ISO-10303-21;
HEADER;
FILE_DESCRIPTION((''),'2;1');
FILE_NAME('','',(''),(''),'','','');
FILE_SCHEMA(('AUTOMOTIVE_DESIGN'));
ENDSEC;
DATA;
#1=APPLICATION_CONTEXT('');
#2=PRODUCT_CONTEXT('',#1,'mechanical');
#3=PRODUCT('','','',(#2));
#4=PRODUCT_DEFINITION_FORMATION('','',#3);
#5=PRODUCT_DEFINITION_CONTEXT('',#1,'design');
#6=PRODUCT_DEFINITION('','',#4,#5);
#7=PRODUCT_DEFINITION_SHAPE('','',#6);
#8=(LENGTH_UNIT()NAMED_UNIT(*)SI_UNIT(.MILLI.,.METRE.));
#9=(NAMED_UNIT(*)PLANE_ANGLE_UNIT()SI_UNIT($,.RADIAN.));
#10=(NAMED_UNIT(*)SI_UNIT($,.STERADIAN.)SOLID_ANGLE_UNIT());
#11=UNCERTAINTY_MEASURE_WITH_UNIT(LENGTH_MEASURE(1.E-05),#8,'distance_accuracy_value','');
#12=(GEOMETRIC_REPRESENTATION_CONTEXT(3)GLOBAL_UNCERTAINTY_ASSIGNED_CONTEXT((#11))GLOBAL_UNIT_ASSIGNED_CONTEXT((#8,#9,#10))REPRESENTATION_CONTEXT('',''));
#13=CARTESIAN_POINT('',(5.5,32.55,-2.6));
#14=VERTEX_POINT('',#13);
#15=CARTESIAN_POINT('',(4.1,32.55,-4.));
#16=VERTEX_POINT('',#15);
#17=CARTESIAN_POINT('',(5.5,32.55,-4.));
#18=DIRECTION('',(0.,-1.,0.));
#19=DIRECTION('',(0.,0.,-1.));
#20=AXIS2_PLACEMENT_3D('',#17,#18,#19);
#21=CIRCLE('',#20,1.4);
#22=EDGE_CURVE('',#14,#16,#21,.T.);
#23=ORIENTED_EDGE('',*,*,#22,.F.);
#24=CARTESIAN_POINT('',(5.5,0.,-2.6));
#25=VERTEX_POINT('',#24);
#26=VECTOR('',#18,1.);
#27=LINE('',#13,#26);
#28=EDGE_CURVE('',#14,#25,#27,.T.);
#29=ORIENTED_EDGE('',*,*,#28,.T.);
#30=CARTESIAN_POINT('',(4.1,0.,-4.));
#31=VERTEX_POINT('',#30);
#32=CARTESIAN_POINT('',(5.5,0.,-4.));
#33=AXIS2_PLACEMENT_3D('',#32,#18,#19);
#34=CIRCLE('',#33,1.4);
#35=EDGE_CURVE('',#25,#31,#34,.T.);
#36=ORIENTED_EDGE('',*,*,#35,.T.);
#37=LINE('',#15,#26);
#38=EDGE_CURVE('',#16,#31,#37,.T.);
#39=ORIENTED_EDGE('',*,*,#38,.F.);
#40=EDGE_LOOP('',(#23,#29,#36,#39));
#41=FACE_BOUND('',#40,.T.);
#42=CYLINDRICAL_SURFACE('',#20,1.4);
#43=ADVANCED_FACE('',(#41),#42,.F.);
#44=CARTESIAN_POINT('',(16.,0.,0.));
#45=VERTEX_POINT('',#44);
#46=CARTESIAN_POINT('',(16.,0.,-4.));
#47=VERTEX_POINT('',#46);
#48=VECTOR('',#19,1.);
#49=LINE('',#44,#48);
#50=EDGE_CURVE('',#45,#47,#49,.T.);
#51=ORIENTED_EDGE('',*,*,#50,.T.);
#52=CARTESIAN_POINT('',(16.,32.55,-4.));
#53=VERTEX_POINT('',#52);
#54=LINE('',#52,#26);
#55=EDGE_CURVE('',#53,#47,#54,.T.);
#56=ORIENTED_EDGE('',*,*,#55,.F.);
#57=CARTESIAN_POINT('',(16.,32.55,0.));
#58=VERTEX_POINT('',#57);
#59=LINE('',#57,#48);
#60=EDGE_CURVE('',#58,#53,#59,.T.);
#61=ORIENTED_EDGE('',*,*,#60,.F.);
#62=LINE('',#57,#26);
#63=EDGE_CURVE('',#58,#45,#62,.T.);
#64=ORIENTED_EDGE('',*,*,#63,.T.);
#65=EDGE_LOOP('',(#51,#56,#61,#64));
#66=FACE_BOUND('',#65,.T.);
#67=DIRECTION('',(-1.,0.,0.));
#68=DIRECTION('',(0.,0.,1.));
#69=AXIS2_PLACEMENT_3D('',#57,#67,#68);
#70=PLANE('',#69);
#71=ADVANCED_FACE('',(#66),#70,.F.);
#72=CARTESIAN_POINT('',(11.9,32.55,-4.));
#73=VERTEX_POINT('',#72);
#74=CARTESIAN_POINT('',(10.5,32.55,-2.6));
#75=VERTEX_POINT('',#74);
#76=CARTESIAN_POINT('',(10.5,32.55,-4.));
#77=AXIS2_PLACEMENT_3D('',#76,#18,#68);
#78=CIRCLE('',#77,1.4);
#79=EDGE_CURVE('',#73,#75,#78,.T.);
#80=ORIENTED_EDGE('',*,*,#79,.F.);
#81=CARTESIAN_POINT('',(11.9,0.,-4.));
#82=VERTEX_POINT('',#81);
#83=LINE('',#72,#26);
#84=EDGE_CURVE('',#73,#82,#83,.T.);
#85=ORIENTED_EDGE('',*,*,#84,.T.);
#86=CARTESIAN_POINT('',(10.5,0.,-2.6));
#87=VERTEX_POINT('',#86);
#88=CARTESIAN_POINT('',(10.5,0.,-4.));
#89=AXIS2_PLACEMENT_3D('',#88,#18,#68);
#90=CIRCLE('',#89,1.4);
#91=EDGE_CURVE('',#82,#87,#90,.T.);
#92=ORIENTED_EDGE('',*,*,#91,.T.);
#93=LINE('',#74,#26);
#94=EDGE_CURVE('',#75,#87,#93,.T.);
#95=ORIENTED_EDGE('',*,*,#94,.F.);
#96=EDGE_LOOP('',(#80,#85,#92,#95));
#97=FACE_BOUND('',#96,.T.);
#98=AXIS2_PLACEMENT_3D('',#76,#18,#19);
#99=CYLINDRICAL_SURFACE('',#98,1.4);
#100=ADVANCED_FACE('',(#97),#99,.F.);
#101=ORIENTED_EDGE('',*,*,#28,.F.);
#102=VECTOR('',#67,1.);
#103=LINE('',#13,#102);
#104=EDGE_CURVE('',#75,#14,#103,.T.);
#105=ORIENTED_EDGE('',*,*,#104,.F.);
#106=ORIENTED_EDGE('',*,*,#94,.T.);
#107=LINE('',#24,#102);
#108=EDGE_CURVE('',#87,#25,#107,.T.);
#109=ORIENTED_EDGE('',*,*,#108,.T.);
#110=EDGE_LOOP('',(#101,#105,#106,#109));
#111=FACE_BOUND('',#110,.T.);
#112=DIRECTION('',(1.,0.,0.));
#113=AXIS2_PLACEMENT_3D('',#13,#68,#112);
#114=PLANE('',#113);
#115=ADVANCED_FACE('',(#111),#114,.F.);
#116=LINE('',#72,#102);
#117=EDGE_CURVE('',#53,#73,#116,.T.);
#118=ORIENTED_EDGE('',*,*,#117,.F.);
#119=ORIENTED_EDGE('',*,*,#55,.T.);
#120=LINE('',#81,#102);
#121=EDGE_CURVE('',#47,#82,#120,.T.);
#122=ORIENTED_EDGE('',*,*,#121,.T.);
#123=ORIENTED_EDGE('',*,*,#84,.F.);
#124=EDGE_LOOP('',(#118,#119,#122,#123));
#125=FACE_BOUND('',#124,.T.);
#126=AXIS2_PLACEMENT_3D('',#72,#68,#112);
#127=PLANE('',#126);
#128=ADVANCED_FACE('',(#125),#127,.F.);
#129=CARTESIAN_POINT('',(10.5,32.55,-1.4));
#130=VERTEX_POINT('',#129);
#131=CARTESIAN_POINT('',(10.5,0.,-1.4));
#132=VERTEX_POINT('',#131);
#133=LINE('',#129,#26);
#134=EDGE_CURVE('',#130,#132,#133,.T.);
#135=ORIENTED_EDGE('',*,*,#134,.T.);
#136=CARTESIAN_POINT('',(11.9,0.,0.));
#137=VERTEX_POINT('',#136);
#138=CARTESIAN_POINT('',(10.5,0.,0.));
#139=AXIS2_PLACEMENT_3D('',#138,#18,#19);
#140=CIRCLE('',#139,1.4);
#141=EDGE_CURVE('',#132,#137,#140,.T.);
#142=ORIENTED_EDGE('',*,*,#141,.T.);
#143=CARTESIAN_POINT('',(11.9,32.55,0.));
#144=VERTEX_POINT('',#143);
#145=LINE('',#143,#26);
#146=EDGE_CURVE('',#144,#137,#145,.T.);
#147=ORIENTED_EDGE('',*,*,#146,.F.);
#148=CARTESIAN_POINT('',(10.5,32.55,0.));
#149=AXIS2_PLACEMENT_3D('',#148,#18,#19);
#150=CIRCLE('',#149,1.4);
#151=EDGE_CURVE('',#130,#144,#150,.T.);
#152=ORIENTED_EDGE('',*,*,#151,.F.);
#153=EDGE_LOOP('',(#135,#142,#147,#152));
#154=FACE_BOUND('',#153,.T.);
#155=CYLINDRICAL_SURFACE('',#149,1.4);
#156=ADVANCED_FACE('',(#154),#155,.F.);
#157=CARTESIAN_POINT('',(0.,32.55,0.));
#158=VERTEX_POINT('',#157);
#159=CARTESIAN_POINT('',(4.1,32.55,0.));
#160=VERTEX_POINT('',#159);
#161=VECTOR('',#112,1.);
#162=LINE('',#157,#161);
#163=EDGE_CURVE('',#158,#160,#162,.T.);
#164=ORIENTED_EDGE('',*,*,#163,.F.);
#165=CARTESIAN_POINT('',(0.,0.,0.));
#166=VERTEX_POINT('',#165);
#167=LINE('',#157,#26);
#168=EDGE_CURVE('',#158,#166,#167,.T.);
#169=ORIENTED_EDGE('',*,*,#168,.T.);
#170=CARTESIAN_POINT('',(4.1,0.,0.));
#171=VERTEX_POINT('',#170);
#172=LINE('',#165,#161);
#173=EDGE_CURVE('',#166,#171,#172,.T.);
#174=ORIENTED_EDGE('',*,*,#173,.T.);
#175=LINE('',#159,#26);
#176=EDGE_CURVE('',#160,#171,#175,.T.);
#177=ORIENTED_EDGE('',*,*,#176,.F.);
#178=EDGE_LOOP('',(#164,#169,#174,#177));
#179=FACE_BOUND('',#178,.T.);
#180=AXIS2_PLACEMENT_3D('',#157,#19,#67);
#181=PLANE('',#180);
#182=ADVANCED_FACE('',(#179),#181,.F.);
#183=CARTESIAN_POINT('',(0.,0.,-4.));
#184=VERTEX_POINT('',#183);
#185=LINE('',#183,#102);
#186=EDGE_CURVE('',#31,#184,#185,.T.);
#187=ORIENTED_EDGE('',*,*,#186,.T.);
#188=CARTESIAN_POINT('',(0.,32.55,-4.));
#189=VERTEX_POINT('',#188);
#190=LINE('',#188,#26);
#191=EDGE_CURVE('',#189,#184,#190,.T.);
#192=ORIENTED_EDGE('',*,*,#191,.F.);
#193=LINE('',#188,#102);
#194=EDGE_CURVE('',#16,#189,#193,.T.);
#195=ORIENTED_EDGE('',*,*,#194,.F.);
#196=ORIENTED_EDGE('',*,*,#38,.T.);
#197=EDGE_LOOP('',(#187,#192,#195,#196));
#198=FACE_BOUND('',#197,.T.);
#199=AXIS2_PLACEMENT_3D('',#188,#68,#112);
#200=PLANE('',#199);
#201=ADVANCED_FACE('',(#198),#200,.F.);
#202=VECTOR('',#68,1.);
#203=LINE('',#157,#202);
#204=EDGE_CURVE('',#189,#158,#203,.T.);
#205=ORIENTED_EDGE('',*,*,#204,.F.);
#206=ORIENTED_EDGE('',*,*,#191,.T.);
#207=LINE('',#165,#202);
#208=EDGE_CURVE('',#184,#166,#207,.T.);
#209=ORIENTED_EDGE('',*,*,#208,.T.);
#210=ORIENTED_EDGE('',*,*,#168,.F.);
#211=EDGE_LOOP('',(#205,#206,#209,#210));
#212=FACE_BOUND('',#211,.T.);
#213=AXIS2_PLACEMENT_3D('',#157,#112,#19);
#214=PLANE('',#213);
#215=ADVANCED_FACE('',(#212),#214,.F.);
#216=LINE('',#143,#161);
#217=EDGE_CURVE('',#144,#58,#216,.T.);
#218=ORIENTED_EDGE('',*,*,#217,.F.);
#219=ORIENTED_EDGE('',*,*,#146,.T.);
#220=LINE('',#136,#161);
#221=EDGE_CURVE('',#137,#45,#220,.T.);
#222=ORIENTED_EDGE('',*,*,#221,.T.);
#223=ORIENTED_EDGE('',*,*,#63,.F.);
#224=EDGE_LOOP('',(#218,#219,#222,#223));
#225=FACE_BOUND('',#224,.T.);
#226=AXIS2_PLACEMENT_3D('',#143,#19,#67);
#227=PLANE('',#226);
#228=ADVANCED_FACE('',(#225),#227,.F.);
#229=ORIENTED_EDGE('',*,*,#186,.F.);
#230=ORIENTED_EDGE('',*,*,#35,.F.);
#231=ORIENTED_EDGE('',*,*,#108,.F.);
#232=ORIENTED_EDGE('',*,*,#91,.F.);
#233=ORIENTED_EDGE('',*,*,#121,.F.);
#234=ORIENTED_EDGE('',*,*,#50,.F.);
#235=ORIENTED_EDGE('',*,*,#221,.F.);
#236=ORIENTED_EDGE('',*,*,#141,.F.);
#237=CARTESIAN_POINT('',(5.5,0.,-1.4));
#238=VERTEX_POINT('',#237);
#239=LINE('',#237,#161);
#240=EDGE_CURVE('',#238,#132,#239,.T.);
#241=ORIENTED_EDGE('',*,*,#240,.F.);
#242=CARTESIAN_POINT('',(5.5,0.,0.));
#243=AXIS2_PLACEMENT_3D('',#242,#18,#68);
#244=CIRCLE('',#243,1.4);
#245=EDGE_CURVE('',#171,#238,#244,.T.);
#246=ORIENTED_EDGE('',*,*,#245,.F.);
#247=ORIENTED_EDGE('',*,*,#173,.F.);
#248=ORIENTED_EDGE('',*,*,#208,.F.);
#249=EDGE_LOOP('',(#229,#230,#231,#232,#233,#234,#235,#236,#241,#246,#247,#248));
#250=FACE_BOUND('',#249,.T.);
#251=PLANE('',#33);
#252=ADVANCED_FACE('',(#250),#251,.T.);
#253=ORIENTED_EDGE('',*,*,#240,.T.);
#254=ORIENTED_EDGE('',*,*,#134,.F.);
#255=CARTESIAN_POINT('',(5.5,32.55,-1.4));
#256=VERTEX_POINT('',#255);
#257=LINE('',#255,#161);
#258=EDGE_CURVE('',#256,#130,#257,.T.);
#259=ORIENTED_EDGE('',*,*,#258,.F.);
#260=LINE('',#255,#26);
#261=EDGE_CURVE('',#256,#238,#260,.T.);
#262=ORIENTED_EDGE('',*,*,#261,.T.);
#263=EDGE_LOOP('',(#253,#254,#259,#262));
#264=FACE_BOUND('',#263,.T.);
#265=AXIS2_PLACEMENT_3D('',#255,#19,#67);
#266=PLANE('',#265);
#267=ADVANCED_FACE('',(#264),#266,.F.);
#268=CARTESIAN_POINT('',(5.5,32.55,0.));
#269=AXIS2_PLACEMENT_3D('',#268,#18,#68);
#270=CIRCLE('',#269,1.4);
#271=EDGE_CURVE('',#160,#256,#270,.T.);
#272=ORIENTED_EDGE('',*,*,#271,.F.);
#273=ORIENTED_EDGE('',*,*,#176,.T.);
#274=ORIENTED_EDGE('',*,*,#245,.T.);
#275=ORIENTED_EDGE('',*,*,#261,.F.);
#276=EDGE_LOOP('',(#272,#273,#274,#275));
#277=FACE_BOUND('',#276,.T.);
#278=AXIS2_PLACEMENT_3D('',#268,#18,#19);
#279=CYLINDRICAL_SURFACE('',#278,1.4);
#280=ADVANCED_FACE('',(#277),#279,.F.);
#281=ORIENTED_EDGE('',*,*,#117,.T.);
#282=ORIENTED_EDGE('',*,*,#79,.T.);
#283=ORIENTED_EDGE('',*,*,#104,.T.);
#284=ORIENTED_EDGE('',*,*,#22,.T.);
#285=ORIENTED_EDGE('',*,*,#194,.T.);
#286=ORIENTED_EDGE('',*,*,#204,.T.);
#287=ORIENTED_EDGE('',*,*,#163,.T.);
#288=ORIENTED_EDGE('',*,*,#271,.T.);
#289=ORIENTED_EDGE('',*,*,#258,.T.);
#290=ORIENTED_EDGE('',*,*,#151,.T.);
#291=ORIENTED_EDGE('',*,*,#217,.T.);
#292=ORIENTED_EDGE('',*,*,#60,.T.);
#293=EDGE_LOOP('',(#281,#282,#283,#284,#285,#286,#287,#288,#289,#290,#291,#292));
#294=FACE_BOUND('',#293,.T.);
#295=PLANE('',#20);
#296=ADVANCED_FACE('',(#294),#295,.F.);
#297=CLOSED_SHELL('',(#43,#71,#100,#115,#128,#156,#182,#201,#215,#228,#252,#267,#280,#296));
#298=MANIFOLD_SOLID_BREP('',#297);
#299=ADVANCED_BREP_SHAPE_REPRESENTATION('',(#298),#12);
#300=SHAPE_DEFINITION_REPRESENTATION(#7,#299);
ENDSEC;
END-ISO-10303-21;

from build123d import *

# Parameters (mm, degrees)
BOSS_EXTRUDE1_DEPTH = 32.55


with BuildPart() as part:
    # Sketch1 → Boss-Extrude1 (new body)
    with BuildSketch(Plane(origin=(0, 0, 0), x_dir=(1, 0, 0), z_dir=(0, 1, 0))):
        with BuildLine():
            Line((0, 0), (4.1, 0))
            ThreePointArc((4.1, 0), (4.510050506, 0.989949494), (5.5, 1.4))
            Line((5.5, 1.4), (10.5, 1.4))
            ThreePointArc((10.5, 1.4), (11.489949494, 0.989949494), (11.9, 0))
            Line((11.9, 0), (16, 0))
            Line((16, 0), (16, 4))
            Line((16, 4), (11.9, 4))
            ThreePointArc((11.9, 4), (11.489949494, 3.010050506), (10.5, 2.6))
            Line((10.5, 2.6), (5.5, 2.6))
            ThreePointArc((5.5, 2.6), (4.510050506, 3.010050506), (4.1, 4))
            Line((4.1, 4), (0, 4))
            Line((0, 4), (0, 0))
        make_face()
    extrude(amount=BOSS_EXTRUDE1_DEPTH)


solid = part.part
